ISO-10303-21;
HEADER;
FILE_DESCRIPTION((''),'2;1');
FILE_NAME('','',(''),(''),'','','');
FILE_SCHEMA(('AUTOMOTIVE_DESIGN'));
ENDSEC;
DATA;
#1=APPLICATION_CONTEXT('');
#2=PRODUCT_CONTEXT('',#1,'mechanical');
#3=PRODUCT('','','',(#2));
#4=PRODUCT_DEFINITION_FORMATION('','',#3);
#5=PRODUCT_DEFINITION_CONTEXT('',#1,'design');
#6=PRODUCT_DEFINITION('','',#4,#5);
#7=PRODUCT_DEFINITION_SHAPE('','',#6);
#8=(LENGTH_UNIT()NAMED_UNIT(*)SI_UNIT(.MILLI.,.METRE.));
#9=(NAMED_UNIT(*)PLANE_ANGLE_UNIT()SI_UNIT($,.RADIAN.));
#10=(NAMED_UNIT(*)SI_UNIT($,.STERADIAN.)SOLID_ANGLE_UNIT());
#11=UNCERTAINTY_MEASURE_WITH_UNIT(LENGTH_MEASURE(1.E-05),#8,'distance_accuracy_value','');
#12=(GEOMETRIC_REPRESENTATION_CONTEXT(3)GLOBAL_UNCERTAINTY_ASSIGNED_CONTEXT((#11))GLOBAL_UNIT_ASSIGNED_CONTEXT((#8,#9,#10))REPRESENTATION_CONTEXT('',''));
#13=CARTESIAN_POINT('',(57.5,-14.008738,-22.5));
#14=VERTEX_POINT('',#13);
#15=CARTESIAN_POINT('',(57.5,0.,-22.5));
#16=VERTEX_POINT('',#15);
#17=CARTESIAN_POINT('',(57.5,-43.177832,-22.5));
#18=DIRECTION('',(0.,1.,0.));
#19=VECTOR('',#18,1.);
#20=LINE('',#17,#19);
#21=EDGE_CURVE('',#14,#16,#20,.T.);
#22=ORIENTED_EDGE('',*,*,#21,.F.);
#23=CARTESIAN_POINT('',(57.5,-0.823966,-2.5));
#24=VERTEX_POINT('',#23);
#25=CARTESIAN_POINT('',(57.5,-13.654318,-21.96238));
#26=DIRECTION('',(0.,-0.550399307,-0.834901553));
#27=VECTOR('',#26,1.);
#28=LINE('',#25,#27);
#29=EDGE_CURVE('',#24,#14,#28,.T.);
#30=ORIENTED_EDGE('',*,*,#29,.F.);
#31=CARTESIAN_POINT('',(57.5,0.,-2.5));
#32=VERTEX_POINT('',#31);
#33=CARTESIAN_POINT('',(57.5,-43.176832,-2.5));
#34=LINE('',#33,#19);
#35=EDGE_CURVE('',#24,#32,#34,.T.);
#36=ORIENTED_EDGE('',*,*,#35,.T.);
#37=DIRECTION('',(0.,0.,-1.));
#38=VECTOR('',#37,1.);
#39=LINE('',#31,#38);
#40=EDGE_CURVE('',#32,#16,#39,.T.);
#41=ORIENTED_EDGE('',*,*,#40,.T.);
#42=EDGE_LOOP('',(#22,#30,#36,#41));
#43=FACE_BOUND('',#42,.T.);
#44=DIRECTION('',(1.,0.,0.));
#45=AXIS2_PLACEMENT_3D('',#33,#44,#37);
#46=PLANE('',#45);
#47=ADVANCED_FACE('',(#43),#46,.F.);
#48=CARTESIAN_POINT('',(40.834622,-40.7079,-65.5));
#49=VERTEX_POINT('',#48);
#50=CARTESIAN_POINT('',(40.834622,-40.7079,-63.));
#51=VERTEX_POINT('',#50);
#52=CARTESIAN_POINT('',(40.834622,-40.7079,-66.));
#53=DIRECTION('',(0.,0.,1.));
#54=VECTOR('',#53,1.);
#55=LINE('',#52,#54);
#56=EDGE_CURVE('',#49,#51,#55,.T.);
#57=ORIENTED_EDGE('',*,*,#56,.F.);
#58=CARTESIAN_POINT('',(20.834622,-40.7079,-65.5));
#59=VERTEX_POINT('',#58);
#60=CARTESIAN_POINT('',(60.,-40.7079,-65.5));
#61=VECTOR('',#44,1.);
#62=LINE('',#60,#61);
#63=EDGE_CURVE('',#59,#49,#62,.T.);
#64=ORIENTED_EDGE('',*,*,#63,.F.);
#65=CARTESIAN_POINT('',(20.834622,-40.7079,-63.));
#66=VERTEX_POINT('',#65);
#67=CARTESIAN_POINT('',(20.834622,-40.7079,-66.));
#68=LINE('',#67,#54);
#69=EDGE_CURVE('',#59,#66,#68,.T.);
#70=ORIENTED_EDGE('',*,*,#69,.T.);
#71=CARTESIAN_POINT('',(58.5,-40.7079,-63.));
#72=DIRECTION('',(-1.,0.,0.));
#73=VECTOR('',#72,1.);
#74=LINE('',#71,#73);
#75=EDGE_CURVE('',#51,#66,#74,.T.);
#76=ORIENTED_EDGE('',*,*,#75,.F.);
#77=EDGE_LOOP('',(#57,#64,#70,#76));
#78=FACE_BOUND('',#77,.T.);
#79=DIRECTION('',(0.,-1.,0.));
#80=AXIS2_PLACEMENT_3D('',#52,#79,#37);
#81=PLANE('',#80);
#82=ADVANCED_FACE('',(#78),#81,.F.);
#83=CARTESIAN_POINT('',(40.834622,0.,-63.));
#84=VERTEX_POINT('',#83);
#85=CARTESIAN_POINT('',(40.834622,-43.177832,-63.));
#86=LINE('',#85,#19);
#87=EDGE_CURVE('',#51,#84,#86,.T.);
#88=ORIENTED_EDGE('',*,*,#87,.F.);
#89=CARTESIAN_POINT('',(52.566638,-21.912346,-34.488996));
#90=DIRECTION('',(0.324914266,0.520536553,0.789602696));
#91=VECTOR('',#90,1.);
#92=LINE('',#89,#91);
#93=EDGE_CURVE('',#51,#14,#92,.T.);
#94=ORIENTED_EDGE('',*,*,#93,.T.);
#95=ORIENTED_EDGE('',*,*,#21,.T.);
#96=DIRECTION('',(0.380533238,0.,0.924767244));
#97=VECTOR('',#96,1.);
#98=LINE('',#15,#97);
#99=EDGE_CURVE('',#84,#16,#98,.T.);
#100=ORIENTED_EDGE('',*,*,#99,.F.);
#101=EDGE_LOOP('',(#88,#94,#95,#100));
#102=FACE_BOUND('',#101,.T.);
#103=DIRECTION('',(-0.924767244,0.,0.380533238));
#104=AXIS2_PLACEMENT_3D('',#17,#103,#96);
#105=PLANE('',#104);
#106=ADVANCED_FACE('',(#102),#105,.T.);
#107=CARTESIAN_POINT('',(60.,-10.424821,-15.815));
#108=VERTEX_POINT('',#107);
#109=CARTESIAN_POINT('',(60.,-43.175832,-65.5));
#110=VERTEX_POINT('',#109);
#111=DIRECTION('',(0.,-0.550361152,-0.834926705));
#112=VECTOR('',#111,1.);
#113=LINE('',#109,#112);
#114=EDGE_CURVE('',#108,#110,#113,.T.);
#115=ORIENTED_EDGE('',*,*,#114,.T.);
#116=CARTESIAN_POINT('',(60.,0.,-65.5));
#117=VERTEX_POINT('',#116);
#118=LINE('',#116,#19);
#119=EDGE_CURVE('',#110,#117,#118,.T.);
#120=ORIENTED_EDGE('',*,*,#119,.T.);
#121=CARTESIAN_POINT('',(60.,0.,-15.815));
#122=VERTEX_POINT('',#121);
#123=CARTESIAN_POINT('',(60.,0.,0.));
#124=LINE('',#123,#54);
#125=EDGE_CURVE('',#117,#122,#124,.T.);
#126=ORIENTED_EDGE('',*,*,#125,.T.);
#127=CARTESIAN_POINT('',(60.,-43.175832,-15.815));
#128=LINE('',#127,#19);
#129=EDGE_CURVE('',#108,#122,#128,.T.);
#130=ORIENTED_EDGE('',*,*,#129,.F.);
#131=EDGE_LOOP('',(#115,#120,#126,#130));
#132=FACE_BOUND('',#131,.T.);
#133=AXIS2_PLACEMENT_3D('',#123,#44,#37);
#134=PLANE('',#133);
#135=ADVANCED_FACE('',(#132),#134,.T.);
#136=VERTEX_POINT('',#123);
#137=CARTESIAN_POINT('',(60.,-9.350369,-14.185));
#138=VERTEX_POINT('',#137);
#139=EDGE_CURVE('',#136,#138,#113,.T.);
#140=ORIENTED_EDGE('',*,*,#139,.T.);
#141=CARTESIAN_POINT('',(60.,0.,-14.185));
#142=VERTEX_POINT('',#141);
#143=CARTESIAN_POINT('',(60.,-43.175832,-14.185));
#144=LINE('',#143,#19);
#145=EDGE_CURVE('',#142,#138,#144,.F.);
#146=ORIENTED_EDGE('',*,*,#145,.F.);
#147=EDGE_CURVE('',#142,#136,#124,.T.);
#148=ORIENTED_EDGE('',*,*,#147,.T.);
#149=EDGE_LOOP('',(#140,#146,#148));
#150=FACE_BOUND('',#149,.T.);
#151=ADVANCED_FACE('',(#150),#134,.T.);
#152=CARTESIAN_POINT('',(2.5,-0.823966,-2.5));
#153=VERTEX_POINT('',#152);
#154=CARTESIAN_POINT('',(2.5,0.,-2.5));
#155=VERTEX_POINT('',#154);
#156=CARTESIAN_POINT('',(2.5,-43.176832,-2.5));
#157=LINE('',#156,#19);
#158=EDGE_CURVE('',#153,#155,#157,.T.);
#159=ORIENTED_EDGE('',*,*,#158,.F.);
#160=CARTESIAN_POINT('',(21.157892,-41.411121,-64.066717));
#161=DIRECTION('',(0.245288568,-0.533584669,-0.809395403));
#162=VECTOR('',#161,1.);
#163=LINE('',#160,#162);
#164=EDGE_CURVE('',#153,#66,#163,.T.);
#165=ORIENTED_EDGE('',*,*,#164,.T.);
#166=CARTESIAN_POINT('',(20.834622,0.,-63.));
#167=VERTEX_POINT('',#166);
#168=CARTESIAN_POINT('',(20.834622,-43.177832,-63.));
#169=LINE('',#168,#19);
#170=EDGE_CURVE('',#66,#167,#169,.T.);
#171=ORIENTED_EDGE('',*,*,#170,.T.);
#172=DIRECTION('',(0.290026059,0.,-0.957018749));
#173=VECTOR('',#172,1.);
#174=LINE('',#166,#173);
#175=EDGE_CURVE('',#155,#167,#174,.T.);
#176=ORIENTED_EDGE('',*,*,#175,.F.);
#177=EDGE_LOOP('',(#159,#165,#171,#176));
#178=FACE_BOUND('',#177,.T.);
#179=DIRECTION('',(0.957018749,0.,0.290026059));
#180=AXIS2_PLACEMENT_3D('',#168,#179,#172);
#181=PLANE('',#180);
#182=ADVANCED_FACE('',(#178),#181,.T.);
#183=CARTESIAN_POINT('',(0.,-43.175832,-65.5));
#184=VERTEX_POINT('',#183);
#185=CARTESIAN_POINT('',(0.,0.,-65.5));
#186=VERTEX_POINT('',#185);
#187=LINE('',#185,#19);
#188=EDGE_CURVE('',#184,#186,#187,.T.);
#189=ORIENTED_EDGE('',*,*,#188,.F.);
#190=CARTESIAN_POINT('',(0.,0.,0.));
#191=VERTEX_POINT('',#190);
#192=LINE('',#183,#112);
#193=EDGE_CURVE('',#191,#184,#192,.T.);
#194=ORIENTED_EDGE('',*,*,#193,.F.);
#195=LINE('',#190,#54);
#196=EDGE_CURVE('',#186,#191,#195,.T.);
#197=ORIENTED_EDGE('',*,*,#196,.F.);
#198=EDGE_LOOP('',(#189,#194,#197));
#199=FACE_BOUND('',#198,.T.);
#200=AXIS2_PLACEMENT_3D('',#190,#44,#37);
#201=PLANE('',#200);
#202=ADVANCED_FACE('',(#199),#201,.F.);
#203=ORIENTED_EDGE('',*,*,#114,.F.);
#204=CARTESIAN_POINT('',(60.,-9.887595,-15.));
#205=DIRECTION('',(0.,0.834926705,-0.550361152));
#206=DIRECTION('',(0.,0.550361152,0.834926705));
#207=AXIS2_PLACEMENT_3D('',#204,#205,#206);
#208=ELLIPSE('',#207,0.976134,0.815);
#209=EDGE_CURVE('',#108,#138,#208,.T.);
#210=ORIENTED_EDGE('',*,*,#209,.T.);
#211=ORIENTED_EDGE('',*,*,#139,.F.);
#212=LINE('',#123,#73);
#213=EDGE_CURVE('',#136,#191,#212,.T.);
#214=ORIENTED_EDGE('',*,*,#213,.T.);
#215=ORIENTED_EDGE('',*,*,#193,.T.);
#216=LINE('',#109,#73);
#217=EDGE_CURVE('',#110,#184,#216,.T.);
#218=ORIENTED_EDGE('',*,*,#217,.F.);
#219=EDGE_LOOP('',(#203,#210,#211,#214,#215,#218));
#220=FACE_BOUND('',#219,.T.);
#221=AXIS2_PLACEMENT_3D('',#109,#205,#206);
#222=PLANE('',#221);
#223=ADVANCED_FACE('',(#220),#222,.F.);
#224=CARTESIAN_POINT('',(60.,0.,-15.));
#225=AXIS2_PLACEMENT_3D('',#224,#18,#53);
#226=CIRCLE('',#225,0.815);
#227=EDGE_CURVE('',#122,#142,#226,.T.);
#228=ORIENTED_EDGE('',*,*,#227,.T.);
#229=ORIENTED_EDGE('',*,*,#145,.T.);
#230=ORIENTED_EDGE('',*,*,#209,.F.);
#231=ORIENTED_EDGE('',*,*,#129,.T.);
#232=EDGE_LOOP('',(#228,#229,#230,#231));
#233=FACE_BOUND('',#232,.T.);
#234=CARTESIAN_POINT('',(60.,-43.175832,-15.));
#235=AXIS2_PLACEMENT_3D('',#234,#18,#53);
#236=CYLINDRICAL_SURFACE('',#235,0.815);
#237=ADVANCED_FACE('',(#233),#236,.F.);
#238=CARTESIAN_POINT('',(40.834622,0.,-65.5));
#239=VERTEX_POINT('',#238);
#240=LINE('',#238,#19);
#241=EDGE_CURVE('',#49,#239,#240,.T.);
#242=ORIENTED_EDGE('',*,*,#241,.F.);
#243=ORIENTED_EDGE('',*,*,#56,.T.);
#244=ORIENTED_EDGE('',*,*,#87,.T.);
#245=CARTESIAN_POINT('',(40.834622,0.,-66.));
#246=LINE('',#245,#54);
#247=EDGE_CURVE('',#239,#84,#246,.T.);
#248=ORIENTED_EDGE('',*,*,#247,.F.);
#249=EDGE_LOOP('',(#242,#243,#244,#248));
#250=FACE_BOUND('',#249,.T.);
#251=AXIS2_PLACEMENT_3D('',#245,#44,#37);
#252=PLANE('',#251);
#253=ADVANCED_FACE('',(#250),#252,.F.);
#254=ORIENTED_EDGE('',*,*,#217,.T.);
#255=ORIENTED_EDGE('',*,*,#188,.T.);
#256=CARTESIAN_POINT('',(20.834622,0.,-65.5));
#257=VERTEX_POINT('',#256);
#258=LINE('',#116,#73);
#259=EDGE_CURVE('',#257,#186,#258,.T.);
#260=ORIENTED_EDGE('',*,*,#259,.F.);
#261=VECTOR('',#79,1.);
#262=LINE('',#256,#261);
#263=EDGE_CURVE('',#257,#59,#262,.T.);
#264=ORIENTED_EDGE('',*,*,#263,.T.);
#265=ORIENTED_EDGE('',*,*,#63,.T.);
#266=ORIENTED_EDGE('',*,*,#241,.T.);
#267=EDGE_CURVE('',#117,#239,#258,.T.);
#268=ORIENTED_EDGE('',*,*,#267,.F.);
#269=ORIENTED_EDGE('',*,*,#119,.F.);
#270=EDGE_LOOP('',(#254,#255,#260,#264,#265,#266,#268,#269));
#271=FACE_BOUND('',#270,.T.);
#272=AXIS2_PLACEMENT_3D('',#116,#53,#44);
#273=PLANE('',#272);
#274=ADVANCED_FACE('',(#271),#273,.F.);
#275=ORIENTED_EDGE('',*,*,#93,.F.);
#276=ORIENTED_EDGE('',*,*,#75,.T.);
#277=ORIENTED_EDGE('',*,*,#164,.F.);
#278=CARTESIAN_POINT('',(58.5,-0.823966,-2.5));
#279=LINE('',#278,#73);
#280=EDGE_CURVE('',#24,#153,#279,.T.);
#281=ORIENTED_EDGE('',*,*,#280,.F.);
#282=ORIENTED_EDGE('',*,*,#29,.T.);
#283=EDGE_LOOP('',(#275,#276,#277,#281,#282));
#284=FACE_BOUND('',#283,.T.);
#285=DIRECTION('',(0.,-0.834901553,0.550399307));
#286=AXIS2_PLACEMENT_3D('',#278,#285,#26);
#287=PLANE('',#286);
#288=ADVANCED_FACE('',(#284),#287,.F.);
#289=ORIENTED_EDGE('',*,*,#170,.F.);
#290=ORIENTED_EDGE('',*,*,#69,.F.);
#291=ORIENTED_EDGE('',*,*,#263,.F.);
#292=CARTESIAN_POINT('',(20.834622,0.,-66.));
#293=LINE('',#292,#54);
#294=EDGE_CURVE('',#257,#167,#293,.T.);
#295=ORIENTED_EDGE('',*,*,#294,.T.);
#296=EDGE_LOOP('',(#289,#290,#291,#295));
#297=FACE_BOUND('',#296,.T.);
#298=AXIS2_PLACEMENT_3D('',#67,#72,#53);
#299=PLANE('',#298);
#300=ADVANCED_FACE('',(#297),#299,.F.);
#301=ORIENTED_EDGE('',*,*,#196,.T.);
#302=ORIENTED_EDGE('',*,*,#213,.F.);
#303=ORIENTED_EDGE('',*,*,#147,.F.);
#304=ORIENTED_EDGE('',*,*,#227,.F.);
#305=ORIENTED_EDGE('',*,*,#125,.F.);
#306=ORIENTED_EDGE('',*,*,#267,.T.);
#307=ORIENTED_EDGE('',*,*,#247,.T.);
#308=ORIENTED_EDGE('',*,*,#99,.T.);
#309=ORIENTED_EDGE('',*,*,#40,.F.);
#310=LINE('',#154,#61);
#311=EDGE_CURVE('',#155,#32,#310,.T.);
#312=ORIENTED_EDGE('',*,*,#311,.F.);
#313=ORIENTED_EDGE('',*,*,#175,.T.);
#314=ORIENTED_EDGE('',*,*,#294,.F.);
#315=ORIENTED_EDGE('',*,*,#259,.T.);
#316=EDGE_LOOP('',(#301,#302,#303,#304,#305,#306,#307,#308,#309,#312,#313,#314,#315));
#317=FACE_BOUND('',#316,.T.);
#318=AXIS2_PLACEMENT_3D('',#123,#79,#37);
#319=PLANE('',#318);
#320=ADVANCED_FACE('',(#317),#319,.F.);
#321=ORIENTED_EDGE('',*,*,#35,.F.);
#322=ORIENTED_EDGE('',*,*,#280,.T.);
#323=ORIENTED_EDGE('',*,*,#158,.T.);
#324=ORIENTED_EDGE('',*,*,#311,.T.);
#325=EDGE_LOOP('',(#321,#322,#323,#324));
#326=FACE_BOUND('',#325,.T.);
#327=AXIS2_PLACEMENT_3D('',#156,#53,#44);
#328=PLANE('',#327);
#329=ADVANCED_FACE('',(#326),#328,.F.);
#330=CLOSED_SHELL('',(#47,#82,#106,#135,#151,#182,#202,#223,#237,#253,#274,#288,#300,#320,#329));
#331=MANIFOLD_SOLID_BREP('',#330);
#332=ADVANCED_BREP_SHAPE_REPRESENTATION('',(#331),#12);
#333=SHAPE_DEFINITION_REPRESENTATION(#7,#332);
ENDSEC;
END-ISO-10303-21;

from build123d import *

# Parameters (mm, degrees)
BOSS_EXTRUDE3_DEPTH      = 60
CUT_EXTRUDE1_REACH       = 100.764
SKETCH8_W                = 55
SKETCH8_H                = 60.5
BOSS_EXTRUDE4_DEPTH      = 56
BOSS_EXTRUDE7_REACH      = 100.764
SKETCH13_W               = 20
SKETCH13_H               = 40.707899827
CUT_EXTRUDE7_DEPTH       = 3
CUT_EXTRUDE10_DEPTH      = 99.7643787
CUT_EXTRUDE10_DEPTH_BACK = 99.7643787
SKETCH18_R               = 0.815


with BuildPart() as part:
    # Sketch6 → Boss-Extrude3 (new body)
    with BuildSketch(Plane(origin=(0, 0, 0), x_dir=(0, 0, -1), z_dir=(1, 0, 0))):
        Polygon((0, 0), (65.5, 0), (65.5, -43.17583236), align=None)
    extrude(amount=BOSS_EXTRUDE3_DEPTH)

    # Cut-Extrude1: up to this plane
    cut_extrude1_end = Plane(origin=(60, -43.17583236, -65.5), z_dir=(0, 0.8349267049075845, -0.5503611518195697))
    # Sketch8 → Cut-Extrude1 (cut, up to the surface)
    with BuildSketch(Plane(origin=(0, 0, 0), x_dir=(1, 0, 0), z_dir=(0, 1, 0)), mode=Mode.PRIVATE) as cut_extrude1_sk1:
        with Locations((30, 32.75)):
            Rectangle(SKETCH8_W, SKETCH8_H)
    cut_extrude1_tool1 = split(extrude(cut_extrude1_sk1.sketch, amount=-CUT_EXTRUDE1_REACH, mode=Mode.PRIVATE), bisect_by=cut_extrude1_end, keep=Keep.BOTH, mode=Mode.PRIVATE)
    add(cut_extrude1_tool1.solids().sort_by_distance((30, 0, -32.75))[0], mode=Mode.SUBTRACT)

    # Sketch9 → Boss-Extrude4 (add)
    with BuildSketch(Plane(origin=(2.5, 0, 0), x_dir=(0, 0, -1), z_dir=(1, 0, 0))):
        Polygon((2.5, -1.647932533), (2.5, -0.823966266), (63, -40.707899827), (63, -41.527899827), align=None)
    extrude(amount=BOSS_EXTRUDE4_DEPTH)

    # Boss-Extrude7: up to this plane
    boss_extrude7_end = Plane(origin=(58.5, -0.823966266, -2.5), z_dir=(0, -0.8349015528826996, 0.5503993068618971))
    # Sketch11 → Boss-Extrude7 (add, up to the surface)
    with BuildSketch(Plane(origin=(0, 0, 0), x_dir=(1, 0, 0), z_dir=(0, 1, 0)), mode=Mode.PRIVATE) as boss_extrude7_sk1:
        Polygon((57.5, 63), (57.5, 22.5), (40.834621514, 63), align=None)
    boss_extrude7_tool1 = split(extrude(boss_extrude7_sk1.sketch, amount=-BOSS_EXTRUDE7_REACH, mode=Mode.PRIVATE), bisect_by=boss_extrude7_end, keep=Keep.BOTH, mode=Mode.PRIVATE)
    add(boss_extrude7_tool1.solids().sort_by_distance((51.944874, 0, -49.5))[0])
    # Sketch11 → Boss-Extrude7 (add, up to the surface)
    with BuildSketch(Plane(origin=(0, 0, 0), x_dir=(1, 0, 0), z_dir=(0, 1, 0)), mode=Mode.PRIVATE) as boss_extrude7_sk2:
        Polygon((2.5, 63), (2.5, 2.5), (20.834621514, 63), align=None)
    boss_extrude7_tool2 = split(extrude(boss_extrude7_sk2.sketch, amount=-BOSS_EXTRUDE7_REACH, mode=Mode.PRIVATE), bisect_by=boss_extrude7_end, keep=Keep.BOTH, mode=Mode.PRIVATE)
    add(boss_extrude7_tool2.solids().sort_by_distance((8.611541, 0, -42.833333))[0])

    # Sketch13 → Cut-Extrude7 (cut)
    with BuildSketch(Plane.XY.offset(-63)):
        with Locations((30.834621514, -20.353949914)):
            Rectangle(SKETCH13_W, SKETCH13_H)
    extrude(amount=-CUT_EXTRUDE7_DEPTH, mode=Mode.SUBTRACT)

    # Sketch18 → Cut-Extrude10 (cut, two sides: drawn at the far end of the back side and taken through both)
    with BuildSketch(Plane(origin=(0, 0, 0), x_dir=(1, 0, 0), z_dir=(0, 1, 0)).offset(-CUT_EXTRUDE10_DEPTH_BACK)):
        with Locations((60, 15)):
            Circle(SKETCH18_R)
    extrude(amount=CUT_EXTRUDE10_DEPTH + CUT_EXTRUDE10_DEPTH_BACK, mode=Mode.SUBTRACT)


solid = part.part
